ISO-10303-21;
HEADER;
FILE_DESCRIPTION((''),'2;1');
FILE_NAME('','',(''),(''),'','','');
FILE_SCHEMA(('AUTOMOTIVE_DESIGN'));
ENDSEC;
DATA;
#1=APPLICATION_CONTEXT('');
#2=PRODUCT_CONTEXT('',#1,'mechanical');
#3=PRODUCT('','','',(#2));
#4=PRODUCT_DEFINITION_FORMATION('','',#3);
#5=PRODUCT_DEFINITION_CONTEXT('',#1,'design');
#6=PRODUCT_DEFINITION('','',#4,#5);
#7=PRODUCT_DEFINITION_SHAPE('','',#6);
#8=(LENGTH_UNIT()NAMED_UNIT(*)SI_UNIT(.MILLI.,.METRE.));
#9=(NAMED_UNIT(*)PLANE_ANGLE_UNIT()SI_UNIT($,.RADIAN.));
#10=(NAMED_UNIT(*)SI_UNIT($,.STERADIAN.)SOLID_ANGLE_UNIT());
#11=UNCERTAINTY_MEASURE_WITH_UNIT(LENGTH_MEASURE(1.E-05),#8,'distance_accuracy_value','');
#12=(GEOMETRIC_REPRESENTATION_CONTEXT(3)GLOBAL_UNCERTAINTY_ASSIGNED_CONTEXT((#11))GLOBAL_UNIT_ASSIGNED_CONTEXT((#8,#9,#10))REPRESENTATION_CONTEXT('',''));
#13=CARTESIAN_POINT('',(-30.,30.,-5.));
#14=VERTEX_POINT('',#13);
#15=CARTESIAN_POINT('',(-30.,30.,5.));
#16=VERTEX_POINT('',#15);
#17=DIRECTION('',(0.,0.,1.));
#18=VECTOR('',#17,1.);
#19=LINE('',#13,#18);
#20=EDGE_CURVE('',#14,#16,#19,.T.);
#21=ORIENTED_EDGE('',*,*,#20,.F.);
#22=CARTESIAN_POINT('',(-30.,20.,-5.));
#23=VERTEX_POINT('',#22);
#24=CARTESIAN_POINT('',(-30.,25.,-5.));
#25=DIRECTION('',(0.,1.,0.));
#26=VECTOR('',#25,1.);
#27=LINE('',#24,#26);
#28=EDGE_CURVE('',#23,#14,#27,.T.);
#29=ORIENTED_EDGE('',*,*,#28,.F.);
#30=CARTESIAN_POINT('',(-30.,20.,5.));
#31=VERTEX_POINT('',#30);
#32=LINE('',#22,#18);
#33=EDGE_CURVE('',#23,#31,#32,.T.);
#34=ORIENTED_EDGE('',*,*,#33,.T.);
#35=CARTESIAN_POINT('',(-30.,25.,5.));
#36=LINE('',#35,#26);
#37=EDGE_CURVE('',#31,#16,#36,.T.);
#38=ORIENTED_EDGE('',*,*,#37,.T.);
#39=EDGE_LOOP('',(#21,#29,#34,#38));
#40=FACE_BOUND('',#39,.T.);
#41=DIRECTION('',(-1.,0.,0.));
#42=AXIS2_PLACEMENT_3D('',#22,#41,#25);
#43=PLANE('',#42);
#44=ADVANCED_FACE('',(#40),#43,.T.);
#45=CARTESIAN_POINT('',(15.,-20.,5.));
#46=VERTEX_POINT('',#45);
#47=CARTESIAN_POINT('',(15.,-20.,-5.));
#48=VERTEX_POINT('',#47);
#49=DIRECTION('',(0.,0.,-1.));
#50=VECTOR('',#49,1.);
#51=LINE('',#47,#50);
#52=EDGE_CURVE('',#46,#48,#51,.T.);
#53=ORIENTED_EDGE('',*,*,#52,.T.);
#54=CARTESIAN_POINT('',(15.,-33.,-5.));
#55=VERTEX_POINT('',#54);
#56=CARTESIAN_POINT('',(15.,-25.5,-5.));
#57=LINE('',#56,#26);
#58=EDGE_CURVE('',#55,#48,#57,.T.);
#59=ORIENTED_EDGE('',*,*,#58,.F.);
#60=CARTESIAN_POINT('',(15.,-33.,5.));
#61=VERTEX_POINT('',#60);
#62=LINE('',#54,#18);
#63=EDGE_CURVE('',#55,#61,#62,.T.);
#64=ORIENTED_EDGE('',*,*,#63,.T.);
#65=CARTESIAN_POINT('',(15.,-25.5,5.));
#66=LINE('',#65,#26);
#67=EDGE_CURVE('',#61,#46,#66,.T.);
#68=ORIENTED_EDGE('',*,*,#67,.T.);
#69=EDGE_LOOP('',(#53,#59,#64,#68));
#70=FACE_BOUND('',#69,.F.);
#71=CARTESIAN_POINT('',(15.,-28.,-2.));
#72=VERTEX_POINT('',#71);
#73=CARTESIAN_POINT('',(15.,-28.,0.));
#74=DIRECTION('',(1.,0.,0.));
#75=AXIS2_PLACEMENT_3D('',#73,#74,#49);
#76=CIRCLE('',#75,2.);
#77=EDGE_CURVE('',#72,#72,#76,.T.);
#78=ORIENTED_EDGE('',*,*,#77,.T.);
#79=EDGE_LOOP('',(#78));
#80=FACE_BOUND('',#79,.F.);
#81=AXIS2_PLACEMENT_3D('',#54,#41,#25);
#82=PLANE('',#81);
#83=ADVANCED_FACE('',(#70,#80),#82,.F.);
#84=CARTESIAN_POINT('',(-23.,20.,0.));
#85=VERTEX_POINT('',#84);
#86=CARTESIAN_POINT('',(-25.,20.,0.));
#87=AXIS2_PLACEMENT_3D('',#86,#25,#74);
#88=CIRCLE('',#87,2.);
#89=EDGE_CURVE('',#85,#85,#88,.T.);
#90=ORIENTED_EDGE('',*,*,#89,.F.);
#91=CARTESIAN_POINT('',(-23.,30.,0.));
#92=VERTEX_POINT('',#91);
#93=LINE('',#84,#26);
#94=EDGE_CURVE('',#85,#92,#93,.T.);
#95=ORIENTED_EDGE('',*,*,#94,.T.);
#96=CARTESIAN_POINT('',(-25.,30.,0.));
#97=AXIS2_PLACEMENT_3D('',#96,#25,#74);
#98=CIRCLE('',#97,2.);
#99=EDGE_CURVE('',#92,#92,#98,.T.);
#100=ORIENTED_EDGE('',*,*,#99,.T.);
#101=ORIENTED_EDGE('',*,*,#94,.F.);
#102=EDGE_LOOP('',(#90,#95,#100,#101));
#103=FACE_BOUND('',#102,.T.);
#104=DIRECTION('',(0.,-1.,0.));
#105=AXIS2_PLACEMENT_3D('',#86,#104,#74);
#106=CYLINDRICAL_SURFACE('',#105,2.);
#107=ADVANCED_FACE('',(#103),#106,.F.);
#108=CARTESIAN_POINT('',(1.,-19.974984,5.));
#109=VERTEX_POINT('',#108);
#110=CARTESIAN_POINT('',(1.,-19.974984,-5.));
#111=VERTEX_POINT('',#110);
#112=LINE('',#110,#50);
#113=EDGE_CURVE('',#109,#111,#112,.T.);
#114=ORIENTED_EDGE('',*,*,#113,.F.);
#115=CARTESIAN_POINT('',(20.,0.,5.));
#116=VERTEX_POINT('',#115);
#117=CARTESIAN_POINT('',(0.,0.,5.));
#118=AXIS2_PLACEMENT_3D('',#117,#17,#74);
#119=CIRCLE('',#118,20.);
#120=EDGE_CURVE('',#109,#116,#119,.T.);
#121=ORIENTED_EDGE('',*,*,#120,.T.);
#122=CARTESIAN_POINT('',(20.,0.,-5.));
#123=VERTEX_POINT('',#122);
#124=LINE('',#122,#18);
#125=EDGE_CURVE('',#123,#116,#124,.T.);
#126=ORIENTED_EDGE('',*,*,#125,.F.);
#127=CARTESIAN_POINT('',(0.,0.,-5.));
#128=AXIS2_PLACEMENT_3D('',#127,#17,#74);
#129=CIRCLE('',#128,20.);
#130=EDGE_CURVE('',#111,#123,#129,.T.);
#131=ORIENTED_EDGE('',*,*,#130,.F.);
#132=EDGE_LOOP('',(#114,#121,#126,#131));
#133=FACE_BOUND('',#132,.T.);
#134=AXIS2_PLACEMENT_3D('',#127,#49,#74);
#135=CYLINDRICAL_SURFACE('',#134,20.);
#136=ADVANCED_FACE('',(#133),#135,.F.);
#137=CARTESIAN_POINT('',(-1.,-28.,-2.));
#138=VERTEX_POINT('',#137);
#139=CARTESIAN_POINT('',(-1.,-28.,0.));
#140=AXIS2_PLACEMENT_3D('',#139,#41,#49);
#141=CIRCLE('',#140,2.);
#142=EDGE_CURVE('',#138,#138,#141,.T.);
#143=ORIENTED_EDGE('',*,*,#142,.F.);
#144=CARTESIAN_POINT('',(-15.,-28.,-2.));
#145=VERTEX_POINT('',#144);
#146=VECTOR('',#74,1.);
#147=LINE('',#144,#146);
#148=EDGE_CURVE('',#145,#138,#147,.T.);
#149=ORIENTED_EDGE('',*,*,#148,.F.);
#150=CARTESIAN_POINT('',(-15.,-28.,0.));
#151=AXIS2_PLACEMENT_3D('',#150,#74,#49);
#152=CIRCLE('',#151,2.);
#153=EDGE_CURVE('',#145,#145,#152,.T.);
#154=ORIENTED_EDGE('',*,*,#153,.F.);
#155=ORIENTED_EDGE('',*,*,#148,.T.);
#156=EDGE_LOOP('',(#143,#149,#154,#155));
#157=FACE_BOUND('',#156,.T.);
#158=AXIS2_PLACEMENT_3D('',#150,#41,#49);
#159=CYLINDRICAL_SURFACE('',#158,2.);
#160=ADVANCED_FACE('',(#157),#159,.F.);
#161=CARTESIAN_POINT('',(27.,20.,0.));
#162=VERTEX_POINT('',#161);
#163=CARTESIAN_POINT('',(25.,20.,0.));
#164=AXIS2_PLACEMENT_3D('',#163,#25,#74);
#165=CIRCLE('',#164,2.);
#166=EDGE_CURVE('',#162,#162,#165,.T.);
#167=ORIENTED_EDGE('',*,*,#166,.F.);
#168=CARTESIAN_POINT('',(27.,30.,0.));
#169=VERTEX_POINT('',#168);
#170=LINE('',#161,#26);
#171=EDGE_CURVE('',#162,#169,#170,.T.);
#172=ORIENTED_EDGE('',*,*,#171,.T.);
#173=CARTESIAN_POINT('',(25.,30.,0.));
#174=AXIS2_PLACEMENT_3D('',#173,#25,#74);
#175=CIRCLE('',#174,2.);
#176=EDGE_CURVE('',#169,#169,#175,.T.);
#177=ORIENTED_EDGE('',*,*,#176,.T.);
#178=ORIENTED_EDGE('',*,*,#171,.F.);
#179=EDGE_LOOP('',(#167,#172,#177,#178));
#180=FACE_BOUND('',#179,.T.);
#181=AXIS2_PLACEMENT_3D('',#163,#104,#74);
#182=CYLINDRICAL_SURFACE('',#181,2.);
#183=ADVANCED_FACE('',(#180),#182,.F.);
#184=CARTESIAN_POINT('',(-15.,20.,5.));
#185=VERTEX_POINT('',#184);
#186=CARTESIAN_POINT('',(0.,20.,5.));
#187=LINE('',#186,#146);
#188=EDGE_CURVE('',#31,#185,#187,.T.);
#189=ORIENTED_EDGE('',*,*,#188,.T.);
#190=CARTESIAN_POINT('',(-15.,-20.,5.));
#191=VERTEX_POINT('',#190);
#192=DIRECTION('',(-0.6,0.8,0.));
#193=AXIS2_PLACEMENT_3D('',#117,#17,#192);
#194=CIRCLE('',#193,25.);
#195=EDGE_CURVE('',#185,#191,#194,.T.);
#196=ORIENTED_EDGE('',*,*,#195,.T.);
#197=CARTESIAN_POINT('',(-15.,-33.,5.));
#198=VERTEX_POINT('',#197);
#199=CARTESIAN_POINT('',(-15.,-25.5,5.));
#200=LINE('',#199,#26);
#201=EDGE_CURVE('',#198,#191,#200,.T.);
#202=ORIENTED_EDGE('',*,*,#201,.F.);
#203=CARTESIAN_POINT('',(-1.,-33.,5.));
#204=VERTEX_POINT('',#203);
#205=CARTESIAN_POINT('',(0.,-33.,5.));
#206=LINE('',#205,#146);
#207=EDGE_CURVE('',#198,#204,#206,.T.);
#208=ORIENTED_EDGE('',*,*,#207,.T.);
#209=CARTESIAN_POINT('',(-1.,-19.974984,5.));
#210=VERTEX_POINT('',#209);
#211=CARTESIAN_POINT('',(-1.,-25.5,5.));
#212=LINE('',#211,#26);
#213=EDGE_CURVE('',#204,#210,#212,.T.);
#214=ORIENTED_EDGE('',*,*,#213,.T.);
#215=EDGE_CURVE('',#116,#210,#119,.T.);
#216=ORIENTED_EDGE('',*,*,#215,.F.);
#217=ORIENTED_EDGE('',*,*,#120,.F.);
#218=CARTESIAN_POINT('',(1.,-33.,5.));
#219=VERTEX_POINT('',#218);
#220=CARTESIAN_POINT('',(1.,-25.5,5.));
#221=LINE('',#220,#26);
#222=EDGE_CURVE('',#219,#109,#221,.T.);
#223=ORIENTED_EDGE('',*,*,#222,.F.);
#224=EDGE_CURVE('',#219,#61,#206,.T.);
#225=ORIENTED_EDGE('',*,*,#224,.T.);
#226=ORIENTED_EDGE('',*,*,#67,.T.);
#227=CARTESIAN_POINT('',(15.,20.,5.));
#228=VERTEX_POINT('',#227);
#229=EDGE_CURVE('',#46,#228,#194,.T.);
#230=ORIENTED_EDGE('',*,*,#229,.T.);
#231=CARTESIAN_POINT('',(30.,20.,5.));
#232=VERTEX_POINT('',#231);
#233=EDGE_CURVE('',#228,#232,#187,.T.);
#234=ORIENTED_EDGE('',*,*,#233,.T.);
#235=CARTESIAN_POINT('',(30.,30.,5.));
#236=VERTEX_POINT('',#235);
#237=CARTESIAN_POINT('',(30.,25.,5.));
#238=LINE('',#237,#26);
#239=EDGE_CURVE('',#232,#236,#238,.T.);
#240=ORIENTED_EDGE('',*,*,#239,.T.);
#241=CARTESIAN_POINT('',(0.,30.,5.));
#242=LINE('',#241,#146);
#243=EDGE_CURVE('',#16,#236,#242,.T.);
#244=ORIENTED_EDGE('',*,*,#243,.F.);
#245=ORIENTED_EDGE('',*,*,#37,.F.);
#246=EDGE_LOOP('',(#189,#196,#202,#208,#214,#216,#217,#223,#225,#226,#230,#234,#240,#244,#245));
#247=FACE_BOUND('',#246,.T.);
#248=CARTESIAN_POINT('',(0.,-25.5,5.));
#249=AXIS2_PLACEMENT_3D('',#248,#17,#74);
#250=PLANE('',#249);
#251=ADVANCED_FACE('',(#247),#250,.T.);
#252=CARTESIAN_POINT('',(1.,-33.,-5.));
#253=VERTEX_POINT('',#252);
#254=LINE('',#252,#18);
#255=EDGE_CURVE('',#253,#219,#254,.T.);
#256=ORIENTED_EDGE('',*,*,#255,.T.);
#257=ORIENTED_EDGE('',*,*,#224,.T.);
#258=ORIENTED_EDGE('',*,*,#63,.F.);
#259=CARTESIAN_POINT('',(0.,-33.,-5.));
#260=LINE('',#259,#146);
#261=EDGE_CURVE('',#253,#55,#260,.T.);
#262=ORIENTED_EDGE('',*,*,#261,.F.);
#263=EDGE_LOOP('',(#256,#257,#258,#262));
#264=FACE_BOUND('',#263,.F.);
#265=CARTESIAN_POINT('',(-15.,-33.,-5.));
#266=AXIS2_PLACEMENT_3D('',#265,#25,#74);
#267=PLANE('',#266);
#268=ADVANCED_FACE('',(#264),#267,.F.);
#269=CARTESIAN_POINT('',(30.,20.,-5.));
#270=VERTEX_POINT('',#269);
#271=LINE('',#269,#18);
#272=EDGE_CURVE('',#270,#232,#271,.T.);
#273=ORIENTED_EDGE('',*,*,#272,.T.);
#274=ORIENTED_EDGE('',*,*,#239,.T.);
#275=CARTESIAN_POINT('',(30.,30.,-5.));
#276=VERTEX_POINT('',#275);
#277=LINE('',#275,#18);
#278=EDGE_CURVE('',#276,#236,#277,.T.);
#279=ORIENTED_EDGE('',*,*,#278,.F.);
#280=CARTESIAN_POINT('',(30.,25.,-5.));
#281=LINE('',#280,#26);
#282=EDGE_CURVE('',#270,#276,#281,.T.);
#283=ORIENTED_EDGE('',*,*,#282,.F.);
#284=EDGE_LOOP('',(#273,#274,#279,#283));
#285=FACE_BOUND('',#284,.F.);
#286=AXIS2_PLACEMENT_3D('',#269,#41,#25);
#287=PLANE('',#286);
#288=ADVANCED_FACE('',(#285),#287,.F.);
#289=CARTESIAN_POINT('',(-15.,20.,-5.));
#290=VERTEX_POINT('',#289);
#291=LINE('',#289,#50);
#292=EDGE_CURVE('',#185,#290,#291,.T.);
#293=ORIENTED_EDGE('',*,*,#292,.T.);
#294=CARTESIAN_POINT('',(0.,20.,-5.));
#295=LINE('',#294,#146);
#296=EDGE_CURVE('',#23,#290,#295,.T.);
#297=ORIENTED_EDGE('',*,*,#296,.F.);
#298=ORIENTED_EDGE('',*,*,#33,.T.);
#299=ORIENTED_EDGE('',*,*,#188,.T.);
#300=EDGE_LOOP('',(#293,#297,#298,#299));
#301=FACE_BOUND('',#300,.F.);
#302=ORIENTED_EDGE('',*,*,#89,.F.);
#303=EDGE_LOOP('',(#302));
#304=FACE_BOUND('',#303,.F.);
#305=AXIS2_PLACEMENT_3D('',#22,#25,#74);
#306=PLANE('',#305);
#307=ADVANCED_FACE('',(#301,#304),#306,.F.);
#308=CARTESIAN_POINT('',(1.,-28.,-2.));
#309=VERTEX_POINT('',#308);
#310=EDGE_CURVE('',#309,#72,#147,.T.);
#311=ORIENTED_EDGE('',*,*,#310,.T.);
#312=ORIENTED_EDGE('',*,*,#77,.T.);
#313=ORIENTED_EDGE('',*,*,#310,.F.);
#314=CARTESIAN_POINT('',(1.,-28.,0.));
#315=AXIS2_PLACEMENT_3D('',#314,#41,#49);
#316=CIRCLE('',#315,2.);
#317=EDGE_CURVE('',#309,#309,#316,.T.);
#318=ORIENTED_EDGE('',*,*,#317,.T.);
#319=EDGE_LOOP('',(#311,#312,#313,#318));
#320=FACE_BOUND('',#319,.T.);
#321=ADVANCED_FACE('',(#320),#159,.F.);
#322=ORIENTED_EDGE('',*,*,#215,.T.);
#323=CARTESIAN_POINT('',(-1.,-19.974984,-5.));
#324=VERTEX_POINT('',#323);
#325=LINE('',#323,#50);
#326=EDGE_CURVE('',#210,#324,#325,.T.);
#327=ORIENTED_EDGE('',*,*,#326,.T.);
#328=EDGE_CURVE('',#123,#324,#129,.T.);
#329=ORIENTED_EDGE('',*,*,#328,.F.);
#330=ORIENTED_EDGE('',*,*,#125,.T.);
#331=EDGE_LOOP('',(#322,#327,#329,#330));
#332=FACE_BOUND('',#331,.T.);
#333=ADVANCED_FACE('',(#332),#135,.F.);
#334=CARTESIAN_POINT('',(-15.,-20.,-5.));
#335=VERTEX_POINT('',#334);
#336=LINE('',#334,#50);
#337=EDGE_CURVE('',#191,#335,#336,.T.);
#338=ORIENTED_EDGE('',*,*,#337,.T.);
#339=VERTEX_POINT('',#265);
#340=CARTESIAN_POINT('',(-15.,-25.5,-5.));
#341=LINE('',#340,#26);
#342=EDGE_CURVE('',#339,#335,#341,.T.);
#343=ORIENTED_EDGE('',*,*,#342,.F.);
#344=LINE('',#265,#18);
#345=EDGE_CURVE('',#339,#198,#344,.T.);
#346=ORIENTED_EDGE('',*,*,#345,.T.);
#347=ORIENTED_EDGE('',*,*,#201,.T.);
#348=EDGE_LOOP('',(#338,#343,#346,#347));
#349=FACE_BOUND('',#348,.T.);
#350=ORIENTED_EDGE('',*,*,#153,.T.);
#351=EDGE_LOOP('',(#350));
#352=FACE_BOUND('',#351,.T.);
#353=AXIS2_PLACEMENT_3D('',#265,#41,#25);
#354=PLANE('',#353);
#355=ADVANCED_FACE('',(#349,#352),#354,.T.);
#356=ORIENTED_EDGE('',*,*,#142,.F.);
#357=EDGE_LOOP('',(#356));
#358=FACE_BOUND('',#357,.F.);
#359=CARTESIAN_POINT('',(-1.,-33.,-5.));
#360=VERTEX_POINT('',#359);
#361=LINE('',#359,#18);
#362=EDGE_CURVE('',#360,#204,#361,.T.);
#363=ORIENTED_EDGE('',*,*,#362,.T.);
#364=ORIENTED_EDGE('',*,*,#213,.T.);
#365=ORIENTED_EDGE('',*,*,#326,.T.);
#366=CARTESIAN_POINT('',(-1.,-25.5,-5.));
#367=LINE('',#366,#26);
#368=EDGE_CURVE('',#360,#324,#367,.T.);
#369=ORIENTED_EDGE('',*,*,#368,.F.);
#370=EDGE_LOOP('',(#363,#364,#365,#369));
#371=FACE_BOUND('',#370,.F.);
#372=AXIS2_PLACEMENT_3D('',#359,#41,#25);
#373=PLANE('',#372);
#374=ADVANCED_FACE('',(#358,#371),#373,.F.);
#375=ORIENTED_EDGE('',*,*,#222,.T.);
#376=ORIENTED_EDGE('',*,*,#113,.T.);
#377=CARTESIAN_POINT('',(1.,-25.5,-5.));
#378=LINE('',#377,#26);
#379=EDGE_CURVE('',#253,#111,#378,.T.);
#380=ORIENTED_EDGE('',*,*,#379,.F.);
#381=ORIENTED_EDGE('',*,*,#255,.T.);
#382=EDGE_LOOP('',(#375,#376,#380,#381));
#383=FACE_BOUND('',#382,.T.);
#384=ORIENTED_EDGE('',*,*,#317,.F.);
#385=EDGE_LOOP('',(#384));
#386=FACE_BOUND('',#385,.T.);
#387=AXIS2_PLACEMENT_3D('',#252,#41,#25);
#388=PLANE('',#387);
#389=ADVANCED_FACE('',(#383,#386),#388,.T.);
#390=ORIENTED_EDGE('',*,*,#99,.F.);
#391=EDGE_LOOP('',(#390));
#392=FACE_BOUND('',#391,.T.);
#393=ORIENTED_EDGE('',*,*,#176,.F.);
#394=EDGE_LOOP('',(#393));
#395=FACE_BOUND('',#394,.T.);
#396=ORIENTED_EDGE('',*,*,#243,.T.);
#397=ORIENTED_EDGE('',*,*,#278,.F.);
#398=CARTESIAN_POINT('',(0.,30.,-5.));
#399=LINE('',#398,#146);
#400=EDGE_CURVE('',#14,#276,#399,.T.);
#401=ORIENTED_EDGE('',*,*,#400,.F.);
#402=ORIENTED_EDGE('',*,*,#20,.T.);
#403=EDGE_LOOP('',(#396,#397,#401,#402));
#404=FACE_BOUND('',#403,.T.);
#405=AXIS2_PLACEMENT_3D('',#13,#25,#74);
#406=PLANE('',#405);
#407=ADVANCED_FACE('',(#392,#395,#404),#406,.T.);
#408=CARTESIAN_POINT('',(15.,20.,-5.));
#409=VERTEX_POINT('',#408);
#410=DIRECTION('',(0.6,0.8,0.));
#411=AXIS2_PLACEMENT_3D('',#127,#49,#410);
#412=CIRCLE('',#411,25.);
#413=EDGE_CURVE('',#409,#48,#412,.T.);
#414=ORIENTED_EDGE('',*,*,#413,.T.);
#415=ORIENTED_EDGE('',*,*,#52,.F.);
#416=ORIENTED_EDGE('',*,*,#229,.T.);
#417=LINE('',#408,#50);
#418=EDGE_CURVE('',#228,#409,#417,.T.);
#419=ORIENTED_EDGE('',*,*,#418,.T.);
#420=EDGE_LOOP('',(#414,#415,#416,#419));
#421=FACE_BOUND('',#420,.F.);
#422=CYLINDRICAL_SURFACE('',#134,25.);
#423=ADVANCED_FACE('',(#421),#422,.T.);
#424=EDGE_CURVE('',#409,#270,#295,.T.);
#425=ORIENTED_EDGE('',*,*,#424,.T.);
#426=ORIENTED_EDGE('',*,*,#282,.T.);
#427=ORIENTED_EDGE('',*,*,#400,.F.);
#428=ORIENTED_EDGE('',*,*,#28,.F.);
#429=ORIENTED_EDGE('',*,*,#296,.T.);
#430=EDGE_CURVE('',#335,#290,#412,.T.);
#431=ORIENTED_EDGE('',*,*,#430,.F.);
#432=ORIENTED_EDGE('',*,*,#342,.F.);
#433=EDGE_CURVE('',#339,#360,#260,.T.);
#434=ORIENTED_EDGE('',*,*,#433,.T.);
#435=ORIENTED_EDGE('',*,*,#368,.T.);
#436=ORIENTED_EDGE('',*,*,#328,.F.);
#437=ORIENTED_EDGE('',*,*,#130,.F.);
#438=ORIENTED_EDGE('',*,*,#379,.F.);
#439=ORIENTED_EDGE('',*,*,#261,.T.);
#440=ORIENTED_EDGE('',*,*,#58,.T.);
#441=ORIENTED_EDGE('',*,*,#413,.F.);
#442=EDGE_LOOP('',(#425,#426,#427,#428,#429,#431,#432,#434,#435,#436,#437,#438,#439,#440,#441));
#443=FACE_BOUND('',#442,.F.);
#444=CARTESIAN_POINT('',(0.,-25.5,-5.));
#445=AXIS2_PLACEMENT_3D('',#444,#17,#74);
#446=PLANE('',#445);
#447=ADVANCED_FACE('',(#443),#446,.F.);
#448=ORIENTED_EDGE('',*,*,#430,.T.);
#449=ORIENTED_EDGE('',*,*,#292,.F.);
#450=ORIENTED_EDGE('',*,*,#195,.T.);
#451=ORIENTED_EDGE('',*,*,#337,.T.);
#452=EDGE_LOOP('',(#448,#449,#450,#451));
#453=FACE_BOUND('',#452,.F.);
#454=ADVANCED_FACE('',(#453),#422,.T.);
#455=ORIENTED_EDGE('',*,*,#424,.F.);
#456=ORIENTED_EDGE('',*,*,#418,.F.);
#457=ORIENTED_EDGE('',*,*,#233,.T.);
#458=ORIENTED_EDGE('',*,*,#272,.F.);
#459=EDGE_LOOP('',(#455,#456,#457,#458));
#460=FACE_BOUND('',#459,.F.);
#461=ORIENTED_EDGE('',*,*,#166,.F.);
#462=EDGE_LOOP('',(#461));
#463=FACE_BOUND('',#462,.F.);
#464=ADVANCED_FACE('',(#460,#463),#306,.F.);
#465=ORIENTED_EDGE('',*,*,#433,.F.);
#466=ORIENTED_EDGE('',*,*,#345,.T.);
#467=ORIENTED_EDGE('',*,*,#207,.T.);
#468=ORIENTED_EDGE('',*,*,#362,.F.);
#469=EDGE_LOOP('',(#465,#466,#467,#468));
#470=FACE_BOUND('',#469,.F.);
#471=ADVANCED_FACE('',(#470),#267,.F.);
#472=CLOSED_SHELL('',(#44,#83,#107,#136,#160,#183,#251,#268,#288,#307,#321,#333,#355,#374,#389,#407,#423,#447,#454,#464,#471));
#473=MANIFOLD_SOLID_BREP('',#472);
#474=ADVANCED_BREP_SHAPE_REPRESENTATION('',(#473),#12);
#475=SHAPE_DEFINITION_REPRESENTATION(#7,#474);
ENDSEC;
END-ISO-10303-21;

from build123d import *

# Parameters (mm, degrees)
CYLINDER002_R     = 2
CYLINDER002_DEPTH = 10
CYLINDER001_R     = 20
CYLINDER001_DEPTH = 10
CYLINDER004_R     = 2
CYLINDER004_DEPTH = 30
BOX002_W          = 2
BOX002_H          = 15
BOX002_DEPTH      = 10
CYLINDER003_R     = 2
CYLINDER003_DEPTH = 10
BOX_W             = 60
BOX_H             = 10
BOX_DEPTH         = 10
BOX001_W          = 30
BOX001_H          = 15
BOX001_DEPTH      = 10
CYLINDER_R        = 25
CYLINDER_DEPTH    = 10


with BuildPart() as cylinder002:
    # Cylinder002 → Cylinder002 (new body)
    with BuildSketch(Plane(origin=(25, 20, 0), x_dir=(1, 0, 0), z_dir=(0, 1, 0))):
        Circle(CYLINDER002_R)
    extrude(amount=CYLINDER002_DEPTH)


with BuildPart() as cylinder001:
    # Cylinder001 → Cylinder001 (new body)
    with BuildSketch(Plane.XY.offset(-5)):
        Circle(CYLINDER001_R)
    extrude(amount=CYLINDER001_DEPTH)


with BuildPart() as cylinder004:
    # Cylinder004 → Cylinder004 (new body)
    with BuildSketch(Plane(origin=(-15, -28, 0), x_dir=(0, 0, -1), z_dir=(1, 0, 0))):
        Circle(CYLINDER004_R)
    extrude(amount=CYLINDER004_DEPTH)


with BuildPart() as cube002:
    # Box002 → Box002 (new body)
    with BuildSketch(Plane(origin=(-1, -33, -5), x_dir=(1, 0, 0), z_dir=(0, 0, 1))):
        with Locations((1, 7.5)):
            Rectangle(BOX002_W, BOX002_H)
    extrude(amount=BOX002_DEPTH)


with BuildPart() as negative_fusion:
    # Cylinder003 → Cylinder003 (new body)
    with BuildSketch(Plane(origin=(-25, 20, 0), x_dir=(1, 0, 0), z_dir=(0, 1, 0))):
        Circle(CYLINDER003_R)
    extrude(amount=CYLINDER003_DEPTH)

    # Fusion001: union Cylinder002, Cylinder001, Cylinder004, Cube002
    add(cylinder002.part)
    add(cylinder001.part)
    add(cylinder004.part)
    add(cube002.part)


with BuildPart() as cube:
    # Box → Box (new body)
    with BuildSketch(Plane(origin=(-30, 20, -5), x_dir=(1, 0, 0), z_dir=(0, 0, 1))):
        with Locations((30, 5)):
            Rectangle(BOX_W, BOX_H)
    extrude(amount=BOX_DEPTH)


with BuildPart() as cube001:
    # Box001 → Box001 (new body)
    with BuildSketch(Plane(origin=(-15, -33, -5), x_dir=(1, 0, 0), z_dir=(0, 0, 1))):
        with Locations((15, 7.5)):
            Rectangle(BOX001_W, BOX001_H)
    extrude(amount=BOX001_DEPTH)


with BuildPart() as cut:
    # Cylinder → Cylinder (new body)
    with BuildSketch(Plane.XY.offset(-5)):
        Circle(CYLINDER_R)
    extrude(amount=CYLINDER_DEPTH)

    # Fusion: union Cube, Cube001
    add(cube.part)
    add(cube001.part)

    # Cut: cut Negative Fusion
    add(negative_fusion.part, mode=Mode.SUBTRACT)


solid = cut.part
